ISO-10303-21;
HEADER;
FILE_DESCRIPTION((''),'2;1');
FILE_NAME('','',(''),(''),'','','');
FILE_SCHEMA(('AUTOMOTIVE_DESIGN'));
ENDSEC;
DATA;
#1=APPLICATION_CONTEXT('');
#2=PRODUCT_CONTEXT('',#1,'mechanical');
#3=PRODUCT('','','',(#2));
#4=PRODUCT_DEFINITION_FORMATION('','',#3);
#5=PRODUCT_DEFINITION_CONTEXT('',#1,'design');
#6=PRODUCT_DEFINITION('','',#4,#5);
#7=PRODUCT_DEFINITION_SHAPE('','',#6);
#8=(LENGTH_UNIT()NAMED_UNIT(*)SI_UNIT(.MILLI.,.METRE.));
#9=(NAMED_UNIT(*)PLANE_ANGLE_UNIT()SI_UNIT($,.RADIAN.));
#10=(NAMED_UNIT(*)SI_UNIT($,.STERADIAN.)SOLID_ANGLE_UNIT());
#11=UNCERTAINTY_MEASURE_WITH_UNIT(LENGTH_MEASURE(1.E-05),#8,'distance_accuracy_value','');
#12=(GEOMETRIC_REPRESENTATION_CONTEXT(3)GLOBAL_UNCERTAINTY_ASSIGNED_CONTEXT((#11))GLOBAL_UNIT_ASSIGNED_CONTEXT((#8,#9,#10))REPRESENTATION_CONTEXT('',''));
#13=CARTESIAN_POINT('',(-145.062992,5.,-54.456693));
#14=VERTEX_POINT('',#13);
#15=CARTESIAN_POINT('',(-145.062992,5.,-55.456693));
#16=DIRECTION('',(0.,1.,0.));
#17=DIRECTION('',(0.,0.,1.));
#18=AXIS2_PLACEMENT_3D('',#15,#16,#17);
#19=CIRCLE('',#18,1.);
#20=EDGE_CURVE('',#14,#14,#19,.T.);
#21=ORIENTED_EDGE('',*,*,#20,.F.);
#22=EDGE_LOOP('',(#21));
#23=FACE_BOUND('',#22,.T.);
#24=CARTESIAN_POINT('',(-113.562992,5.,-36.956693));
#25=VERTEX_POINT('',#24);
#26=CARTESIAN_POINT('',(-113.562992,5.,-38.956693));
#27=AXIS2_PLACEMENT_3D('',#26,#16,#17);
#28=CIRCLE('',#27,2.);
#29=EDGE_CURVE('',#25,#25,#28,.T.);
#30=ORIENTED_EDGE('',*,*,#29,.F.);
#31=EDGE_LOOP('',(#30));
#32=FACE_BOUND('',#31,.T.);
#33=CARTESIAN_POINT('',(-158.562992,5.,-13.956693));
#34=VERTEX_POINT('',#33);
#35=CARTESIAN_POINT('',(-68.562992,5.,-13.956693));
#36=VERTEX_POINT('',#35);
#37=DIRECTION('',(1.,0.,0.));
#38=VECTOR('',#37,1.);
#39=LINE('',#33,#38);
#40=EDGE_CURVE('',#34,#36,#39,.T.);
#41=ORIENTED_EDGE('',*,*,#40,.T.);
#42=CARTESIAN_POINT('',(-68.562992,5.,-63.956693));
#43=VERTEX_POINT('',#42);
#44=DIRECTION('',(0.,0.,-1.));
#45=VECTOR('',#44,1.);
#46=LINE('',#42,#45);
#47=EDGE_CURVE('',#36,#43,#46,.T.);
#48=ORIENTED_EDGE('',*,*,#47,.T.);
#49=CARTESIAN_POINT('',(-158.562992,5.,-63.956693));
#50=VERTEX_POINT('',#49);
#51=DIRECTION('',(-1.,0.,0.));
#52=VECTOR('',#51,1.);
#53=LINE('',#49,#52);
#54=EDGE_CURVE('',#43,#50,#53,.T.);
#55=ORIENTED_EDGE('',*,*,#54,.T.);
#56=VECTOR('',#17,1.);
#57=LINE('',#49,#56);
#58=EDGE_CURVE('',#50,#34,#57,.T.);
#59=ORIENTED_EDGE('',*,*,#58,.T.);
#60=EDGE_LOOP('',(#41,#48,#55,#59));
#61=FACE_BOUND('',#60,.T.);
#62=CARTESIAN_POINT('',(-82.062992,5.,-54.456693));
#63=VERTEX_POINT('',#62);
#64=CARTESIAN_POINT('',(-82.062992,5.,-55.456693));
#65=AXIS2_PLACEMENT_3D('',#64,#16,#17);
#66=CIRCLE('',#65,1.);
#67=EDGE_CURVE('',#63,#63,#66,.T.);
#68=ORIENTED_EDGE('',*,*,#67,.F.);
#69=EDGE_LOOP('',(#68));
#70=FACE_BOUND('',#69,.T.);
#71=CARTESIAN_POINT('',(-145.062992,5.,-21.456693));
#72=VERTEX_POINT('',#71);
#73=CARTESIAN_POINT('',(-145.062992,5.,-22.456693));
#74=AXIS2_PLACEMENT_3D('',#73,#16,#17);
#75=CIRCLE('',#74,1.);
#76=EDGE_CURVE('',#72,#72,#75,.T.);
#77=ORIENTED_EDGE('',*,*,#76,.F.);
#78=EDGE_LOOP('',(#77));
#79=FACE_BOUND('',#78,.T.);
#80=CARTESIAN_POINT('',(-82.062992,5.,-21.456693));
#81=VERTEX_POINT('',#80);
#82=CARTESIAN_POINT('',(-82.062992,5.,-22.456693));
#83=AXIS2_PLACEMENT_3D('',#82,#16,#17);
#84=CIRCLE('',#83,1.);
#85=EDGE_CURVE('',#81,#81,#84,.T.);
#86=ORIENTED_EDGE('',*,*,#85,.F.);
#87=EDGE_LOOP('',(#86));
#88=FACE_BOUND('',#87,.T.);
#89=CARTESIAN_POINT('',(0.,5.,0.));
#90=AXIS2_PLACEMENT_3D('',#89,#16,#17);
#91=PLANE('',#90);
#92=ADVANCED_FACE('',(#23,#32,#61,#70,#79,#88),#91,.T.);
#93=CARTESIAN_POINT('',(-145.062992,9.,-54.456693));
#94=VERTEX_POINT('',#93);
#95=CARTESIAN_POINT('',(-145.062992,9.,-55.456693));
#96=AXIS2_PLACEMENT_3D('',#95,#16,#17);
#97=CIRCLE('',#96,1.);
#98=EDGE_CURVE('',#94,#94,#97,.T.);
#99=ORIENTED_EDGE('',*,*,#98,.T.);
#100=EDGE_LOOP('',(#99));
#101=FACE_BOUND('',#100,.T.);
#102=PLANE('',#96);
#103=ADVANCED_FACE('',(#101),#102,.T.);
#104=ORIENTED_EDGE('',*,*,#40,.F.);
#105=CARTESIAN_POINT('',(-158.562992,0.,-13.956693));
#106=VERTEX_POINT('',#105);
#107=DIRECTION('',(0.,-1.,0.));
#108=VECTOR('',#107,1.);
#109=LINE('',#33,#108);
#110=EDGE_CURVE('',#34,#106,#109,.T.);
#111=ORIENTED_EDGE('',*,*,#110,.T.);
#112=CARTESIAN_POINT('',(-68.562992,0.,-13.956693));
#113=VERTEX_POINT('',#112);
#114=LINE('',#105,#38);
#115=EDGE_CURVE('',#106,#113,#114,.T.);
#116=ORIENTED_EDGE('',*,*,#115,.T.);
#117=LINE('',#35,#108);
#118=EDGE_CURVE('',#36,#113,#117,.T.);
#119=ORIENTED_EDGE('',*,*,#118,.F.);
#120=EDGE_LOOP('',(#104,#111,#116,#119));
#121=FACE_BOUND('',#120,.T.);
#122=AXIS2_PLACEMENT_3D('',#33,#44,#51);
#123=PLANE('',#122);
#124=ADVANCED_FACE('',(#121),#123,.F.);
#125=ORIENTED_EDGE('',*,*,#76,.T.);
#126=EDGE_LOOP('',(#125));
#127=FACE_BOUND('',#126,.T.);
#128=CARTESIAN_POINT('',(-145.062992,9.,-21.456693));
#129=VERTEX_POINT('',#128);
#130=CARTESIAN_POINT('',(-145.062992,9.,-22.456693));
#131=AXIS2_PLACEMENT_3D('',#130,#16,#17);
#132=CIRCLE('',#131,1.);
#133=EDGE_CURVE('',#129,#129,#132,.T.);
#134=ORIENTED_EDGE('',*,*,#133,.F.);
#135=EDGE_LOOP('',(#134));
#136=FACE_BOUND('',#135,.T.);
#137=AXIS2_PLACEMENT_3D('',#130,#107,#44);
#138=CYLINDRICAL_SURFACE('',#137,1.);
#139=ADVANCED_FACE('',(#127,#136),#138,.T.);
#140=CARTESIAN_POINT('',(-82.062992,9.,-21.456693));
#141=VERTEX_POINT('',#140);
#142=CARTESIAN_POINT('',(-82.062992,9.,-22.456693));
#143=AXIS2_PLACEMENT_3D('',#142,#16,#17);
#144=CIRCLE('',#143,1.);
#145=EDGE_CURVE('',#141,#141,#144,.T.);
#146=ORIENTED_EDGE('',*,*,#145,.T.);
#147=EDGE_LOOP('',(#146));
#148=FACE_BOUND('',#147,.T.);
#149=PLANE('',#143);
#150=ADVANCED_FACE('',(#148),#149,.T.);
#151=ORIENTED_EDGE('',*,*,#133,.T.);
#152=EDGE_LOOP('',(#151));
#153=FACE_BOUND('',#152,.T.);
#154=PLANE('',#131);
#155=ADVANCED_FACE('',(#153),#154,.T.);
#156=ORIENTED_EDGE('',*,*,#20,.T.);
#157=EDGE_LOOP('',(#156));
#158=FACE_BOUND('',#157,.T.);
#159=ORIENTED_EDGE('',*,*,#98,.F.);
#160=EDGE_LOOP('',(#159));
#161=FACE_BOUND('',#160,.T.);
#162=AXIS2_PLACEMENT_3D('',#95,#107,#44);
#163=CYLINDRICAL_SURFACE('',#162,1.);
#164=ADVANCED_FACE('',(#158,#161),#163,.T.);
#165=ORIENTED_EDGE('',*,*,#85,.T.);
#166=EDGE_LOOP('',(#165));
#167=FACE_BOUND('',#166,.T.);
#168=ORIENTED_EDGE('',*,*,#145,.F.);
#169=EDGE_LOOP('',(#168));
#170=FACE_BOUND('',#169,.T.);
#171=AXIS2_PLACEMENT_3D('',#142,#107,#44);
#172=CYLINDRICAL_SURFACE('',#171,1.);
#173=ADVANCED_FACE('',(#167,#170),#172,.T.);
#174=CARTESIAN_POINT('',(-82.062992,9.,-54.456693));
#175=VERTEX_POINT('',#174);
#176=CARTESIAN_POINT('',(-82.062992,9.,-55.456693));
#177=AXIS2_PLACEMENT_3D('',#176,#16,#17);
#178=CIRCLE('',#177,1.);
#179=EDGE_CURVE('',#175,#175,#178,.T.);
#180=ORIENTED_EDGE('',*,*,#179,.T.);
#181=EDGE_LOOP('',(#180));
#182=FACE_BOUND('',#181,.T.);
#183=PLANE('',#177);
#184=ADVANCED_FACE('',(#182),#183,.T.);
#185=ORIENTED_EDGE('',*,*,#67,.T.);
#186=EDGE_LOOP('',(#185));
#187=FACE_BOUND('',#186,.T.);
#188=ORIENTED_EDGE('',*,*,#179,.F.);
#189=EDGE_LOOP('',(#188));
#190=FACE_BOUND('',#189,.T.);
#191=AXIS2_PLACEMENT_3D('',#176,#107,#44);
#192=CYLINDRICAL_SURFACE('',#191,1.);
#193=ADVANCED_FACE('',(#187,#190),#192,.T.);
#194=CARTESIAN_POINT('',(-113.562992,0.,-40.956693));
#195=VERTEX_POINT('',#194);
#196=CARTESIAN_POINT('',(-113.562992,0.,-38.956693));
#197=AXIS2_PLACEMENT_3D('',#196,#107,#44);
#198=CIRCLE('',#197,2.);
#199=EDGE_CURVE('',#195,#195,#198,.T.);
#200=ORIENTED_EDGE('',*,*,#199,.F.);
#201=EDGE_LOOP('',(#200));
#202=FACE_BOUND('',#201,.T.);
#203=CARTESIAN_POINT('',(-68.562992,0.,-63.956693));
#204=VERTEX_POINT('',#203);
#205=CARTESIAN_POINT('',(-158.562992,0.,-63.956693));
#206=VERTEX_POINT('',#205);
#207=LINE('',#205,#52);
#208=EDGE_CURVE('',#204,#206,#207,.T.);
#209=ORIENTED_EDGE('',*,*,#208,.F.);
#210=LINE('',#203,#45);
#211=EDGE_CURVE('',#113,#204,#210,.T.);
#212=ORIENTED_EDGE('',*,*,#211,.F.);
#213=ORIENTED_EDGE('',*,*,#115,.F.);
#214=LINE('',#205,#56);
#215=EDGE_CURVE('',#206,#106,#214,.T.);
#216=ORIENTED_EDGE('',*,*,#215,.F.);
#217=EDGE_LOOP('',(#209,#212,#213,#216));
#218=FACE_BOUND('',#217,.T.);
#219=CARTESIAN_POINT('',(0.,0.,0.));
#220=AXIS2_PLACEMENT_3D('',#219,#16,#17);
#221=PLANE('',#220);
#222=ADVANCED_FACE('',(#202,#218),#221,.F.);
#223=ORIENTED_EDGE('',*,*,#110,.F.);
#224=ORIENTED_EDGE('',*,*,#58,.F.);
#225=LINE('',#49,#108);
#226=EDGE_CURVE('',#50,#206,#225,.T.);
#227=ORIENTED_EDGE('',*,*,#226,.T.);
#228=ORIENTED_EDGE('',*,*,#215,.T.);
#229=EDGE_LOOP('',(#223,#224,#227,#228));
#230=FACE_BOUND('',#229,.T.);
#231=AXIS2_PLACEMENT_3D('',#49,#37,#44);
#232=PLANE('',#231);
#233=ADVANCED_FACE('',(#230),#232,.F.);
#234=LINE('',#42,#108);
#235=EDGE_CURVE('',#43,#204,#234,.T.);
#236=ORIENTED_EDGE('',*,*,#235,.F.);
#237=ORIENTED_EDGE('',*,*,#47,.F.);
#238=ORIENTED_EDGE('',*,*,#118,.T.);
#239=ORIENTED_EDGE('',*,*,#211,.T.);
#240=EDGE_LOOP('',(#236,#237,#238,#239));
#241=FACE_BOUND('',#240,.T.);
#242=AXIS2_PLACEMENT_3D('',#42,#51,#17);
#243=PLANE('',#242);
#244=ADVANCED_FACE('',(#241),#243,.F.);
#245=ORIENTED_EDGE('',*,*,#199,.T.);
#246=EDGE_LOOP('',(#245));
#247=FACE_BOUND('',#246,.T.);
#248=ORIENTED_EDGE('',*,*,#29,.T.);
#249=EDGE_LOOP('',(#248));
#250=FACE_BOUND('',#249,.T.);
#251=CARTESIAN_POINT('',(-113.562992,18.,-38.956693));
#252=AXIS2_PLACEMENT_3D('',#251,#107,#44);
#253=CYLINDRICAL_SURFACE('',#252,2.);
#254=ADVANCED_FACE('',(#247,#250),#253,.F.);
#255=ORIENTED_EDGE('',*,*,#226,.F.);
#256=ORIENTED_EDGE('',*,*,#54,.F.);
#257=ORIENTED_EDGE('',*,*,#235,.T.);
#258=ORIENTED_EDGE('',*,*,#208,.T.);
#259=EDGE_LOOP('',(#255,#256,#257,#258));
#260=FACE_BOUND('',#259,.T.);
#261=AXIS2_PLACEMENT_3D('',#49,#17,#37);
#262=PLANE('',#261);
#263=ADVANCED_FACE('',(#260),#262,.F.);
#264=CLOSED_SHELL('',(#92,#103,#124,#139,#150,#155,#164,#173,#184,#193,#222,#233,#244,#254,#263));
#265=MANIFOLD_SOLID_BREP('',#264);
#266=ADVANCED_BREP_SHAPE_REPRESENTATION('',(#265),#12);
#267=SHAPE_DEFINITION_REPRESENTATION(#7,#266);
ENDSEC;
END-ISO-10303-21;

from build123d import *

# Parameters (mm, degrees)
SKETCH2_W           = 90
SKETCH2_H           = 50
BOSS_EXTRUDE2_DEPTH = 5
SKETCH4_R           = 1
BOSS_EXTRUDE3_DEPTH = 4
SKETCH5_R           = 2
CUT_EXTRUDE1_DEPTH  = 18


with BuildPart() as part:
    # Sketch2 → Boss-Extrude2 (new body)
    with BuildSketch(Plane(origin=(0, 0, 0), x_dir=(1, 0, 0), z_dir=(0, 1, 0))):
        with Locations((-113.562992126, 38.956692913)):
            Rectangle(SKETCH2_W, SKETCH2_H)
    extrude(amount=BOSS_EXTRUDE2_DEPTH)

    # Sketch4 → Boss-Extrude3 (add)
    with BuildSketch(Plane(origin=(0, 5, 0), x_dir=(1, 0, 0), z_dir=(0, 1, 0))):
        with Locations(Location((-145.062992126, 22.456692913, 0), (0, 0, 270))):
            Circle(SKETCH4_R)
        with Locations(Location((-145.062992126, 55.456692913, 0), (0, 0, 270))):
            Circle(SKETCH4_R)
        with Locations(Location((-82.062992126, 55.456692913, 0), (0, 0, 270))):
            Circle(SKETCH4_R)
        with Locations(Location((-82.062992126, 22.456692913, 0), (0, 0, 270))):
            Circle(SKETCH4_R)
    extrude(amount=BOSS_EXTRUDE3_DEPTH)

    # Sketch5 → Cut-Extrude1 (cut)
    with BuildSketch(Plane.XZ):
        with Locations(Location((-113.562992126, -38.956692913, 0), (0, 0, 270))):
            Circle(SKETCH5_R)
    extrude(amount=-CUT_EXTRUDE1_DEPTH, mode=Mode.SUBTRACT)


solid = part.part
